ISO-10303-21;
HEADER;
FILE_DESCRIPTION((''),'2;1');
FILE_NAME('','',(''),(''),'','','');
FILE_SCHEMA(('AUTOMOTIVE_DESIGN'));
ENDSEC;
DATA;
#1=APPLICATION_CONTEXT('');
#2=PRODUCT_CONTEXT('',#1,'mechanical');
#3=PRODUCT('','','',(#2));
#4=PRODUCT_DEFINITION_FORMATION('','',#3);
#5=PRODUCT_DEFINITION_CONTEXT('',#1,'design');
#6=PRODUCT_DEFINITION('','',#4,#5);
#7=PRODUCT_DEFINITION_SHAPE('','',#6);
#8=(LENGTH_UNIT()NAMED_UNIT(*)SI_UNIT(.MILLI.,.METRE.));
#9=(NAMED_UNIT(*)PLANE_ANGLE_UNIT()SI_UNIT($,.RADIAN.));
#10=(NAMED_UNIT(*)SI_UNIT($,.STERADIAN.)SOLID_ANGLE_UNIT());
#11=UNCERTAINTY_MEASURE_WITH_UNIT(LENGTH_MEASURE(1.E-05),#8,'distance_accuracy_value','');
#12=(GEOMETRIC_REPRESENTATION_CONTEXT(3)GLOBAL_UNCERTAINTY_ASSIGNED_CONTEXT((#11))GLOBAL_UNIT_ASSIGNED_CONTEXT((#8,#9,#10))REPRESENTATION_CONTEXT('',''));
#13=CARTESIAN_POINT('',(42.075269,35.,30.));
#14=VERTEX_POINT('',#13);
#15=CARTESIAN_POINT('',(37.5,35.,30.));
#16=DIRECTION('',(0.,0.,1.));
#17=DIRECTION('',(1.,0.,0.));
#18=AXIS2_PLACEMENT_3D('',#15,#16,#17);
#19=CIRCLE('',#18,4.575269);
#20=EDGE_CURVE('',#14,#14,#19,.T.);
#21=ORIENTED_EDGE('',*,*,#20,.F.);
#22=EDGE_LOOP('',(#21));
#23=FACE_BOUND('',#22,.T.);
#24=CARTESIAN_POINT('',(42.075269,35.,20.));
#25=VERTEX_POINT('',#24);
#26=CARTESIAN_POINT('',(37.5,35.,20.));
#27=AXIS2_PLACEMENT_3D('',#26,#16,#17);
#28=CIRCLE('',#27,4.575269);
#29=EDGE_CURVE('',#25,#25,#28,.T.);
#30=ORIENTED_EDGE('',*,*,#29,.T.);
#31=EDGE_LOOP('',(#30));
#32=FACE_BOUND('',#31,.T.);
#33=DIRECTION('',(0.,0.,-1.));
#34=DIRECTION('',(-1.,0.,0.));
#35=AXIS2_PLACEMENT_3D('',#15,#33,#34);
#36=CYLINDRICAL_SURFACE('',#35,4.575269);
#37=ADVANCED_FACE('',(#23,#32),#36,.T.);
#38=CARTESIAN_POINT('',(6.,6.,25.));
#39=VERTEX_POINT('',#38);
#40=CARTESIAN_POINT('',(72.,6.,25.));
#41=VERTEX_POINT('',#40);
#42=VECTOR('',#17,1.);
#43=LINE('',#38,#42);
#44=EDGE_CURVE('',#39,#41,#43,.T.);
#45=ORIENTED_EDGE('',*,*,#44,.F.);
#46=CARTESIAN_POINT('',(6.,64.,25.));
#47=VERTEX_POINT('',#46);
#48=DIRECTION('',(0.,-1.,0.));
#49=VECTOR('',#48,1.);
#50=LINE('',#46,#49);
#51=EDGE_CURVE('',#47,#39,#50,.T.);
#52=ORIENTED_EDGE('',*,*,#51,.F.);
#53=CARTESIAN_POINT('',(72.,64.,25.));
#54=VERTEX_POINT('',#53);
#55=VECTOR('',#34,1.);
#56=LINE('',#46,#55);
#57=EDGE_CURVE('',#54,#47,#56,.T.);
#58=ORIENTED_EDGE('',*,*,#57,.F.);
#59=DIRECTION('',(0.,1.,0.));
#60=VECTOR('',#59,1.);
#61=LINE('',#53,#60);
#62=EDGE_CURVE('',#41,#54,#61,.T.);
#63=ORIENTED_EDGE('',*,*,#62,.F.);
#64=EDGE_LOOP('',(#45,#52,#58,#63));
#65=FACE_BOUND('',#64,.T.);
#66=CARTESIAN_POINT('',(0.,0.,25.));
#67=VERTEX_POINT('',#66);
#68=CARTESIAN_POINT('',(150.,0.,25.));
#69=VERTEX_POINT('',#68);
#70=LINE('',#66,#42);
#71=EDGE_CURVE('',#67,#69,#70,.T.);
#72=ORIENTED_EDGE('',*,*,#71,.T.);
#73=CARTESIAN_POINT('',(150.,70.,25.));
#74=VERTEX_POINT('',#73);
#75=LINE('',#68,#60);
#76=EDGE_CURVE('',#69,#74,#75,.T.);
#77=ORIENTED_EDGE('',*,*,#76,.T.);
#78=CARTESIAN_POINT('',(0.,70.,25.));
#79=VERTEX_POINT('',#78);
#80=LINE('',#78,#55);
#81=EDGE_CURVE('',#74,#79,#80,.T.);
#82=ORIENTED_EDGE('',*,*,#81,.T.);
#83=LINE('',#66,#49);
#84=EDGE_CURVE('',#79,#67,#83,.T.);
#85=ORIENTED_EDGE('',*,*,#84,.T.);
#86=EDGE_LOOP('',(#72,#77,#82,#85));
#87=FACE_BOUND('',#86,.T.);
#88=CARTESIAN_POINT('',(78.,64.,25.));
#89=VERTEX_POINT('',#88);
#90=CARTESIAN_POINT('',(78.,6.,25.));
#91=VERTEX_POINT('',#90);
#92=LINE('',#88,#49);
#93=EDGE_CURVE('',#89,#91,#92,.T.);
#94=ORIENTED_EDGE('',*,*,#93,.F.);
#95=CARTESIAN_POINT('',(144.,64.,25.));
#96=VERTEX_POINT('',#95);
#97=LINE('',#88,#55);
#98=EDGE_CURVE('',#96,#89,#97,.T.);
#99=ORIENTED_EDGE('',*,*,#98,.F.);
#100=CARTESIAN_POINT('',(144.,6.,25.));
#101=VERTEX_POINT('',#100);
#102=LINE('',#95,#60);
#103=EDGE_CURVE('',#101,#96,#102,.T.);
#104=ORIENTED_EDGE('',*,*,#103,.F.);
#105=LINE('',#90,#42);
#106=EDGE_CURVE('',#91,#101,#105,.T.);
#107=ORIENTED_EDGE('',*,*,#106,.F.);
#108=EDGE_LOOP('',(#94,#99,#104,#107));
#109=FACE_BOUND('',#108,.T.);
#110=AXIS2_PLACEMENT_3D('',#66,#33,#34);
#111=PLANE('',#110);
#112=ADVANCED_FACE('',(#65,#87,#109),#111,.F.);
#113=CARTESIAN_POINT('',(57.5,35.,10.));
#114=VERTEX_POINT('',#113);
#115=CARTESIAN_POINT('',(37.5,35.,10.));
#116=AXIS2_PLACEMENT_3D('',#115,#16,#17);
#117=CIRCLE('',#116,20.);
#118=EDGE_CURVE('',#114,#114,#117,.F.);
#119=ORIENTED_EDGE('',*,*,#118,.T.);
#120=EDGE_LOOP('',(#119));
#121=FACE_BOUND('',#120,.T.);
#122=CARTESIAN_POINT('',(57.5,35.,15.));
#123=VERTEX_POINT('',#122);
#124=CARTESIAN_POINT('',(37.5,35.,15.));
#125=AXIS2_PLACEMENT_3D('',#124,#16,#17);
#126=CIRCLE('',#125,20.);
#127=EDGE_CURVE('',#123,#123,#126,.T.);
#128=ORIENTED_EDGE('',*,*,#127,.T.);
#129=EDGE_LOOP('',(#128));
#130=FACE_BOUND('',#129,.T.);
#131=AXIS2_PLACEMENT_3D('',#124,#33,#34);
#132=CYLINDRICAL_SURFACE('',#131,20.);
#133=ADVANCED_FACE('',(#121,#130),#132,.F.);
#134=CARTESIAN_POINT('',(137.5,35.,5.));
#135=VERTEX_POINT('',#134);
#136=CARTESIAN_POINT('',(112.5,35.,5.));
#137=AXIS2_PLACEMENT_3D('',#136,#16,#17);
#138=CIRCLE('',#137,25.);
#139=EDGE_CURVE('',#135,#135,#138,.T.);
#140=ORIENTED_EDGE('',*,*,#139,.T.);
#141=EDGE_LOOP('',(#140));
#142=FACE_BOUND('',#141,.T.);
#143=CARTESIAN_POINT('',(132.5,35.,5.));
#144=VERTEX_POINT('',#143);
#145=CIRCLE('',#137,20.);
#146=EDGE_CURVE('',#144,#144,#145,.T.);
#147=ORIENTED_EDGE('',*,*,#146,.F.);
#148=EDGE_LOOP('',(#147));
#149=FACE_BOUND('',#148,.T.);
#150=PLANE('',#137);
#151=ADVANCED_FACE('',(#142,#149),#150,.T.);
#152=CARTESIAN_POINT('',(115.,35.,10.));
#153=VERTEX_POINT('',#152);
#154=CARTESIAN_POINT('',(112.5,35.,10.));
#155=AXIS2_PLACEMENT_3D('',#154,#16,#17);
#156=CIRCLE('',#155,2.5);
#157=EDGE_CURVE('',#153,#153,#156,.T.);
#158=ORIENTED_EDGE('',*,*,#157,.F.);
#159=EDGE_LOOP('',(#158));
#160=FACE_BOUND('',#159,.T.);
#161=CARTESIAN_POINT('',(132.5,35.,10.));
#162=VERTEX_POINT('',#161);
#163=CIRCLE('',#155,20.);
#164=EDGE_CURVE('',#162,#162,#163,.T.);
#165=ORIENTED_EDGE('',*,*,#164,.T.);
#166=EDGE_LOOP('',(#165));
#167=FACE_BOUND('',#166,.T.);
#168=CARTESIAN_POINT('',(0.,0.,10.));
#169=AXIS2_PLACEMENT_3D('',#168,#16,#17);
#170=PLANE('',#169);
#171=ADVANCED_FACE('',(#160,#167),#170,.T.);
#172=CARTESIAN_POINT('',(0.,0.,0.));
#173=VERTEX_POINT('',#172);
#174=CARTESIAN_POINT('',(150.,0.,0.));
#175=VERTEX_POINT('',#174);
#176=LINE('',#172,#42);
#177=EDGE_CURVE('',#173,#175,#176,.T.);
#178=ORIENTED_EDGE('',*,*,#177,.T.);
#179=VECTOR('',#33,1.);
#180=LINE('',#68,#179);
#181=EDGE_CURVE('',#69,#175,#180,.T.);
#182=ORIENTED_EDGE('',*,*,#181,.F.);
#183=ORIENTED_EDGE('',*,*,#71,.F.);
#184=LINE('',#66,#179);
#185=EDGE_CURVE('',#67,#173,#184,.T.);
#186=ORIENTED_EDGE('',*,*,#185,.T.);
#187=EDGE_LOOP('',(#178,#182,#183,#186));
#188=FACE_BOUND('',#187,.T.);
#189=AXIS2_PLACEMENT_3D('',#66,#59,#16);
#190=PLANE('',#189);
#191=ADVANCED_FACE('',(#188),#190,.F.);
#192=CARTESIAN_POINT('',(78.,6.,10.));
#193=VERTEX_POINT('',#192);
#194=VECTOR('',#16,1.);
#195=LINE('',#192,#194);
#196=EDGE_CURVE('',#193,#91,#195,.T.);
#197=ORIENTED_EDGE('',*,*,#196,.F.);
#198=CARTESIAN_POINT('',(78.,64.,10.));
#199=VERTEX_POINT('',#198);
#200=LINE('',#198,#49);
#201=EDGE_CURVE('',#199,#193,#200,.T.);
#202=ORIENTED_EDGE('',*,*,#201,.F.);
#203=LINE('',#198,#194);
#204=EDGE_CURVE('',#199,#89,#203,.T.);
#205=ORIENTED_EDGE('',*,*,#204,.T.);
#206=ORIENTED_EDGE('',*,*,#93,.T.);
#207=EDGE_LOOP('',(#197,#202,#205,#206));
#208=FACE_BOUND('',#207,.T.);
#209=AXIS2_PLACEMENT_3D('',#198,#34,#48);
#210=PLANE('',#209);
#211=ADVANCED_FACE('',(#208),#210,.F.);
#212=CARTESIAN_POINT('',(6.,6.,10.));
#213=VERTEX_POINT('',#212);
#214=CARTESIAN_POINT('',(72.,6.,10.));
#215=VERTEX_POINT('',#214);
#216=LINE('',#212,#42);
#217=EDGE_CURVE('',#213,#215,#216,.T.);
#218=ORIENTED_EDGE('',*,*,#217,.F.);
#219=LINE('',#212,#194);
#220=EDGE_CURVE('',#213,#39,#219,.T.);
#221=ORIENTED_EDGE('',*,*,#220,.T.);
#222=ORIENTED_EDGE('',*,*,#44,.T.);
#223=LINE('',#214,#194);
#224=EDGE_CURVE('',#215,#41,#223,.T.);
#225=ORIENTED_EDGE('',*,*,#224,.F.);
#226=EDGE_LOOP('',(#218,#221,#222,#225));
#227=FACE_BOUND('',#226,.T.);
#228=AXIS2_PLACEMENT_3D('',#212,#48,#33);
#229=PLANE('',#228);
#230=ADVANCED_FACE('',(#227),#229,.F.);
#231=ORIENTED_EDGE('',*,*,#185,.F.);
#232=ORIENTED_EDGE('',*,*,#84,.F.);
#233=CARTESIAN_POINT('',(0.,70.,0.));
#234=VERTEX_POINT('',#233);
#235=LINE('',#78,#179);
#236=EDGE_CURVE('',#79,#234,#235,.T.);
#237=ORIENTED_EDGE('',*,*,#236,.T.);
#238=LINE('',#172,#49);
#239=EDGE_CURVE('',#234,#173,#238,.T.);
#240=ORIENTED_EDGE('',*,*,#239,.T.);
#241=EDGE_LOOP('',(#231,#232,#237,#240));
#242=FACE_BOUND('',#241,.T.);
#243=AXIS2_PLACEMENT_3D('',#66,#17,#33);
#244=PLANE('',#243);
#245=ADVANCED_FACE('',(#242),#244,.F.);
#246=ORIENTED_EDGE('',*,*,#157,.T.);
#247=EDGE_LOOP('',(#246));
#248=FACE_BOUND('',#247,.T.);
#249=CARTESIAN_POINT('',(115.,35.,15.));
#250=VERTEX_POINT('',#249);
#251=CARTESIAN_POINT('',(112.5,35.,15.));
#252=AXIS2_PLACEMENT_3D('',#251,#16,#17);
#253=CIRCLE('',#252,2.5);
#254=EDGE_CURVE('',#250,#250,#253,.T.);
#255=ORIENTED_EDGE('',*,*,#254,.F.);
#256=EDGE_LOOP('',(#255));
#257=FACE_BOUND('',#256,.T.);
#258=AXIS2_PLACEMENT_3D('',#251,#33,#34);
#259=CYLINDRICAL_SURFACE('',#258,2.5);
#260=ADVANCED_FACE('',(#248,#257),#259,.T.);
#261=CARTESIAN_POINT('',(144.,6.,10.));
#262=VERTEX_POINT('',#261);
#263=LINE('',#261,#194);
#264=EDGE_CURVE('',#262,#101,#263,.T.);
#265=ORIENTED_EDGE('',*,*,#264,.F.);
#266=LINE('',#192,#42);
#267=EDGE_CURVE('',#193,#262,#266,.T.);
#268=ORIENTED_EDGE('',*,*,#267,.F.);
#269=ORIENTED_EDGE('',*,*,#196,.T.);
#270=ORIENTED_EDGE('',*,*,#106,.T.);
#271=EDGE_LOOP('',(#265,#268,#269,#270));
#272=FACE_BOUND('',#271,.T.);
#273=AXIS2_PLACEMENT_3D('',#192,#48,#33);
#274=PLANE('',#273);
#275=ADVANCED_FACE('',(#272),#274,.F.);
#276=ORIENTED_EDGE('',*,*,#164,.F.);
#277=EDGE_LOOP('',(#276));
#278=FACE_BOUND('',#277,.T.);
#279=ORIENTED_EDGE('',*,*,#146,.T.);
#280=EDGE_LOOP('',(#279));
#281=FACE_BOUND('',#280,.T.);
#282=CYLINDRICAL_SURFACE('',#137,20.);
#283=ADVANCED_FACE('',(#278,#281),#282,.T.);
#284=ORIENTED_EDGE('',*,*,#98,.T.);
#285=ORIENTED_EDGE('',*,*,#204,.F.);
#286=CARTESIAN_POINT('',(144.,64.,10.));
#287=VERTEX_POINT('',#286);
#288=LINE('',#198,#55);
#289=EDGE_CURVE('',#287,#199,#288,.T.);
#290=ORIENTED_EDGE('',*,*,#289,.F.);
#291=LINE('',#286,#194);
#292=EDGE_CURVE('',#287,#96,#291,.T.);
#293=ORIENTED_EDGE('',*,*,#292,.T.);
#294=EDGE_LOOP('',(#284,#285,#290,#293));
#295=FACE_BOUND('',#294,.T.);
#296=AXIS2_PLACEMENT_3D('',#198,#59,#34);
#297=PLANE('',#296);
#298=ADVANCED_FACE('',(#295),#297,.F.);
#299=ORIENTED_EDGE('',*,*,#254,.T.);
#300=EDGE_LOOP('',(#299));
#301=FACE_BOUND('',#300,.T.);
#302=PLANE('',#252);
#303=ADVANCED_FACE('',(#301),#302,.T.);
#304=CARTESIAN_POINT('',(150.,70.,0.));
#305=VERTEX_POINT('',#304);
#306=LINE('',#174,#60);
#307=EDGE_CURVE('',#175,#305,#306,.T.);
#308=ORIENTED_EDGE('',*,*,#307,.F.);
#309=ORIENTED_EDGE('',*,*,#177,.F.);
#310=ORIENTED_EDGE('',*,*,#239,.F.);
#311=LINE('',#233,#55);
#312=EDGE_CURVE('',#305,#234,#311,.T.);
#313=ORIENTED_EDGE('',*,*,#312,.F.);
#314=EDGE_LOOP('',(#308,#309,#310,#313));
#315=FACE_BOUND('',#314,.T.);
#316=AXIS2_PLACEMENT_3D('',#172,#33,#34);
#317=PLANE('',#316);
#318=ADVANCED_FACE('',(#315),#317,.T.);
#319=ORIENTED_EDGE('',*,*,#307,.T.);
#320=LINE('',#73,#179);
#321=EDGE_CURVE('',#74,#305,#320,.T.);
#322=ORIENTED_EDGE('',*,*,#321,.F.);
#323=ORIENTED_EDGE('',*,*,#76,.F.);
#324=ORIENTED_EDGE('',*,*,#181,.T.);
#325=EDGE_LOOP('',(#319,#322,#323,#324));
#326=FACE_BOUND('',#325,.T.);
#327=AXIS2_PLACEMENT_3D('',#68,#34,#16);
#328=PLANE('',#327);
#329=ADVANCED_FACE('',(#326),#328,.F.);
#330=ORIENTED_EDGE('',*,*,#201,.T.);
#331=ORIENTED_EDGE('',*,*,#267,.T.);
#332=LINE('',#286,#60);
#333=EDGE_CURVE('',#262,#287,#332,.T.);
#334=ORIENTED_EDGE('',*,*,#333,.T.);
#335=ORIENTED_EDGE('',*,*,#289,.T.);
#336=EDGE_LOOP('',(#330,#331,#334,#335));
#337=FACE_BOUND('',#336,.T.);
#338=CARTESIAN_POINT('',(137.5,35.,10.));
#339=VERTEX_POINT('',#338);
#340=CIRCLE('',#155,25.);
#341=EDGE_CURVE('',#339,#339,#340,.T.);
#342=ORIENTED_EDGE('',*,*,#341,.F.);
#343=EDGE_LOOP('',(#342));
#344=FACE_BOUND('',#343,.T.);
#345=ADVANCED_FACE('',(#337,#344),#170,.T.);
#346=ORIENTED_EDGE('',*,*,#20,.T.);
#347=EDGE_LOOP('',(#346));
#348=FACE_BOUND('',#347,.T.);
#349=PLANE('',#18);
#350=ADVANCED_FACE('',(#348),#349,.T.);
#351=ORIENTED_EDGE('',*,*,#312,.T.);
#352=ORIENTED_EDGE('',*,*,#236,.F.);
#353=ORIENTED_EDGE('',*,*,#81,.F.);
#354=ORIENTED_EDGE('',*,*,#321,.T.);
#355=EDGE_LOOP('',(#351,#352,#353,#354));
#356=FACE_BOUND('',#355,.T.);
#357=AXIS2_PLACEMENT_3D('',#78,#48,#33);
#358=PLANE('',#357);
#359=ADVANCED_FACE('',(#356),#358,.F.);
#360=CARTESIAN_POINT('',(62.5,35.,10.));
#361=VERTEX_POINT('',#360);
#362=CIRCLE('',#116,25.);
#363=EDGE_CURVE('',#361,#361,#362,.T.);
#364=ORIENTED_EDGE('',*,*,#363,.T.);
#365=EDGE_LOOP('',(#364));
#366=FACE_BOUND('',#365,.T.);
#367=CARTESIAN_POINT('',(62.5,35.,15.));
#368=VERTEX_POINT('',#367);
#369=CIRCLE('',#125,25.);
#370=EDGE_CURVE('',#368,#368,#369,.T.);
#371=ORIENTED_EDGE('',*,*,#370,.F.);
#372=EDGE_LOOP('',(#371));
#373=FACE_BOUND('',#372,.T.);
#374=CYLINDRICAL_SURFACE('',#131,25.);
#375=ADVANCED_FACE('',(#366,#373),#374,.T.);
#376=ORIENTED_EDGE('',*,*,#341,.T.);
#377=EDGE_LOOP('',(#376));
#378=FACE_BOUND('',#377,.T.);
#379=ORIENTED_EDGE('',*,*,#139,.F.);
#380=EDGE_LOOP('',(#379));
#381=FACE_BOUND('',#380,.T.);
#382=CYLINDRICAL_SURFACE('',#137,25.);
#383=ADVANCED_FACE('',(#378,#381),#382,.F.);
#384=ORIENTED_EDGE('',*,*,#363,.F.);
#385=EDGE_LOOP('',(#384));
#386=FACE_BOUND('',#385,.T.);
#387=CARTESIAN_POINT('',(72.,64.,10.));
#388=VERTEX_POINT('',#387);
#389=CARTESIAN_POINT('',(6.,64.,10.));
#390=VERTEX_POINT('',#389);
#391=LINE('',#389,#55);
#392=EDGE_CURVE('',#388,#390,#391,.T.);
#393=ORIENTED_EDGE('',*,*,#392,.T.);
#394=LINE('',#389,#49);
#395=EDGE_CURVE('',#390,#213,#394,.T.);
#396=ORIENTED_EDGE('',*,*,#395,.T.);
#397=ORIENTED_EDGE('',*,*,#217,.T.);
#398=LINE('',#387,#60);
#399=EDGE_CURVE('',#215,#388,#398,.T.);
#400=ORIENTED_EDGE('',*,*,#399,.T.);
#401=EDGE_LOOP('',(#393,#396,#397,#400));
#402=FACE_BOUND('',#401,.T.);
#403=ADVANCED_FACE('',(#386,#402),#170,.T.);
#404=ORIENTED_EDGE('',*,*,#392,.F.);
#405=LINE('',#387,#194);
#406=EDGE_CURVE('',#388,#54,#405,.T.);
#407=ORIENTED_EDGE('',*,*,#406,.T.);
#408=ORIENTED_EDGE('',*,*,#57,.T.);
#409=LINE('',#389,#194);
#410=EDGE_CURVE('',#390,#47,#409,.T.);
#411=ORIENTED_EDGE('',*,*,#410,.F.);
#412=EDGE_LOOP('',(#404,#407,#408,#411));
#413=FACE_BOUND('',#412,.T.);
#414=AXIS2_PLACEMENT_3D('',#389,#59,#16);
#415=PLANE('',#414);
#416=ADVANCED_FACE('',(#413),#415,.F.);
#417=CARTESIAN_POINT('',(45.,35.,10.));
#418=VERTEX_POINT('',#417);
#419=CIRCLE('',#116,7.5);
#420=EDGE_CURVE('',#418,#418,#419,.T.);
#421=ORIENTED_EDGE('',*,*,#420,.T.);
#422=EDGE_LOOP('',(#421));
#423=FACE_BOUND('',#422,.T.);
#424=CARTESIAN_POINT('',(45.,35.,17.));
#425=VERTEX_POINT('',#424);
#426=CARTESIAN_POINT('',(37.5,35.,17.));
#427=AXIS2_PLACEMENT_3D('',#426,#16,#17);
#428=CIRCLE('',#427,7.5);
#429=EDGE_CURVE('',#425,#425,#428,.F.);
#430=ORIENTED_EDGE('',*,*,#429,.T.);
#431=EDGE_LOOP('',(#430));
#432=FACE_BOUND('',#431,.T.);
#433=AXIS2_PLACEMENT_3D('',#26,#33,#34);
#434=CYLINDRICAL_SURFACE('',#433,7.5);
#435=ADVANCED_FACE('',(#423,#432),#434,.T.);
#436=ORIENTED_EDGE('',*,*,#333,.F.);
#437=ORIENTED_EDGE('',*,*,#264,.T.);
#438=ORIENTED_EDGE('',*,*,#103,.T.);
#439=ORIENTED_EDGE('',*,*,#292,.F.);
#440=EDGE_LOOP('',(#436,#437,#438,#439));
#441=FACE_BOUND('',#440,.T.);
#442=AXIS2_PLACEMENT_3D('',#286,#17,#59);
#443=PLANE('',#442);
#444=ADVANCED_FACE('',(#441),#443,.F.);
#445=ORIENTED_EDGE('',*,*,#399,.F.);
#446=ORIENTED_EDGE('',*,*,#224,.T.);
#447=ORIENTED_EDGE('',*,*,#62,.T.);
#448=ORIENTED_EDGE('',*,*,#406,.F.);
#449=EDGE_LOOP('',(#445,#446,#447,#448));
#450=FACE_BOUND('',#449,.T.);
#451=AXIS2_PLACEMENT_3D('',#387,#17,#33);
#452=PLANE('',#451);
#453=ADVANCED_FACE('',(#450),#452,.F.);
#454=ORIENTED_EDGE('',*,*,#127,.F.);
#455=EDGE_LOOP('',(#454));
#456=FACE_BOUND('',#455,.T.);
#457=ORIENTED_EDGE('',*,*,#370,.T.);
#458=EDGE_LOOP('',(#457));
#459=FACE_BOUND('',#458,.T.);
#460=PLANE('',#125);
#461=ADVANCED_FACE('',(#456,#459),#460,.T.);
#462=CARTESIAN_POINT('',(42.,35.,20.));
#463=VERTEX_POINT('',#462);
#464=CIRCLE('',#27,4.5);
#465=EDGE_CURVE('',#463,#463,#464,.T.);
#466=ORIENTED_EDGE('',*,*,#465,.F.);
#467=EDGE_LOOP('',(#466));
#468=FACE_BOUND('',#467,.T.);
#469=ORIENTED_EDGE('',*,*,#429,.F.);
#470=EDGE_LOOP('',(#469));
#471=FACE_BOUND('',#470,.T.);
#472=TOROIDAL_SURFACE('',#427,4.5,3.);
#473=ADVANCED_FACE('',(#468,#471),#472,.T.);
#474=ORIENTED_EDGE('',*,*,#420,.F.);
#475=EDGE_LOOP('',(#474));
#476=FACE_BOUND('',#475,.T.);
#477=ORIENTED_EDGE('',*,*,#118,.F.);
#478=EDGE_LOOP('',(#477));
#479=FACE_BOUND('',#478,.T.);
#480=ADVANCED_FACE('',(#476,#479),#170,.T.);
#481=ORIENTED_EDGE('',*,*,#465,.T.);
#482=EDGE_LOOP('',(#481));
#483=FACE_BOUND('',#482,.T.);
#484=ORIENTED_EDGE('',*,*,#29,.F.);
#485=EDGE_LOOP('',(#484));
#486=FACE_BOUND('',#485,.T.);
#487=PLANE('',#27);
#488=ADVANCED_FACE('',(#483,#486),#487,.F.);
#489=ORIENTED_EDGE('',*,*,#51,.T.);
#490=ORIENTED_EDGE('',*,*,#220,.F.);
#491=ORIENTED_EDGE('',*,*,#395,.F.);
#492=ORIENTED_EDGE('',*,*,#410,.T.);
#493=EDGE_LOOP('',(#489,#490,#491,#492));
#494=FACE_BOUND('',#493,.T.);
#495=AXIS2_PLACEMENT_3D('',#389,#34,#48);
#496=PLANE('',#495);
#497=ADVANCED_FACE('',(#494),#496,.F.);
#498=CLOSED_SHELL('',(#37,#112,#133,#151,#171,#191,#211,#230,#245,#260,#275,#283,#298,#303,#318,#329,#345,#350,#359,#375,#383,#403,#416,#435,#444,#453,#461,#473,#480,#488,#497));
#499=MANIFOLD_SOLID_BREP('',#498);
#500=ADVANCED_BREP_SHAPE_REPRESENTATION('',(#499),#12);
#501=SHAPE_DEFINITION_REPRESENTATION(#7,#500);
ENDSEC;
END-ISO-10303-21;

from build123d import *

# Parameters (mm, degrees)
ESQUISSE1_W             = 150
ESQUISSE1_H             = 70
BOSS_EXTRU_1_DEPTH      = 25
ESQUISSE2_W             = 66
ESQUISSE2_H             = 58
ENL_V_MAT_EXTRU_1_DEPTH = 15
ESQUISSE3_R             = 25
ESQUISSE3_R_2           = 20
BOSS_EXTRU_2_DEPTH      = 5
ESQUISSE4_R             = 25
ESQUISSE4_R_2           = 20
ENL_V_MAT_EXTRU_2_DEPTH = 5
ESQUISSE5_R             = 7.5
BOSS_EXTRU_3_DEPTH      = 10
CONG_2_R                = 3
ESQUISSE6_R             = 2.5
BOSS_EXTRU_4_DEPTH      = 5
ESQUISSE7_R             = 4.575268676
BOSS_EXTRU_5_DEPTH      = 10


with BuildPart() as part:
    # Esquisse1 → Boss.-Extru.1 (new body)
    with BuildSketch(Plane.XY):
        with Locations((75, 35)):
            Rectangle(ESQUISSE1_W, ESQUISSE1_H)
    extrude(amount=BOSS_EXTRU_1_DEPTH)

    # Esquisse2 → Enlèv. mat.-Extru.1 (cut)
    with BuildSketch(Plane.XY.offset(25)):
        with Locations((39, 35)):
            Rectangle(ESQUISSE2_W, ESQUISSE2_H)
        with Locations((111, 35)):
            Rectangle(ESQUISSE2_W, ESQUISSE2_H)
    extrude(amount=-ENL_V_MAT_EXTRU_1_DEPTH, mode=Mode.SUBTRACT)

    # Esquisse3 → Boss.-Extru.2 (add)
    with BuildSketch(Plane.XY.offset(10)):
        with Locations((37.5, 35)):
            Circle(ESQUISSE3_R)
        with Locations((37.5, 35)):
            Circle(ESQUISSE3_R_2, mode=Mode.SUBTRACT)
    extrude(amount=BOSS_EXTRU_2_DEPTH)

    # Esquisse4 → Enlèv. mat.-Extru.2 (cut)
    with BuildSketch(Plane.XY.offset(10)):
        with Locations((112.5, 35)):
            Circle(ESQUISSE4_R)
        with Locations((112.5, 35)):
            Circle(ESQUISSE4_R_2, mode=Mode.SUBTRACT)
    extrude(amount=-ENL_V_MAT_EXTRU_2_DEPTH, mode=Mode.SUBTRACT)

    # Esquisse5 → Boss.-Extru.3 (add)
    with BuildSketch(Plane.XY.offset(10)):
        with Locations((37.5, 35)):
            Circle(ESQUISSE5_R)
    extrude(amount=BOSS_EXTRU_3_DEPTH)

    # Congé2
    cong_2_edges = [part.edges().sort_by_distance(p)[0] for p in [
        (30, 35, 20),
    ]]
    fillet(cong_2_edges, radius=CONG_2_R)

    # Esquisse6 → Boss.-Extru.4 (add)
    with BuildSketch(Plane.XY.offset(10)):
        with Locations((112.5, 35)):
            Circle(ESQUISSE6_R)
    extrude(amount=BOSS_EXTRU_4_DEPTH)

    # Esquisse7 → Boss.-Extru.5 (add)
    with BuildSketch(Plane.XY.offset(20)):
        with Locations((37.5, 35)):
            Circle(ESQUISSE7_R)
    extrude(amount=BOSS_EXTRU_5_DEPTH)


solid = part.part
